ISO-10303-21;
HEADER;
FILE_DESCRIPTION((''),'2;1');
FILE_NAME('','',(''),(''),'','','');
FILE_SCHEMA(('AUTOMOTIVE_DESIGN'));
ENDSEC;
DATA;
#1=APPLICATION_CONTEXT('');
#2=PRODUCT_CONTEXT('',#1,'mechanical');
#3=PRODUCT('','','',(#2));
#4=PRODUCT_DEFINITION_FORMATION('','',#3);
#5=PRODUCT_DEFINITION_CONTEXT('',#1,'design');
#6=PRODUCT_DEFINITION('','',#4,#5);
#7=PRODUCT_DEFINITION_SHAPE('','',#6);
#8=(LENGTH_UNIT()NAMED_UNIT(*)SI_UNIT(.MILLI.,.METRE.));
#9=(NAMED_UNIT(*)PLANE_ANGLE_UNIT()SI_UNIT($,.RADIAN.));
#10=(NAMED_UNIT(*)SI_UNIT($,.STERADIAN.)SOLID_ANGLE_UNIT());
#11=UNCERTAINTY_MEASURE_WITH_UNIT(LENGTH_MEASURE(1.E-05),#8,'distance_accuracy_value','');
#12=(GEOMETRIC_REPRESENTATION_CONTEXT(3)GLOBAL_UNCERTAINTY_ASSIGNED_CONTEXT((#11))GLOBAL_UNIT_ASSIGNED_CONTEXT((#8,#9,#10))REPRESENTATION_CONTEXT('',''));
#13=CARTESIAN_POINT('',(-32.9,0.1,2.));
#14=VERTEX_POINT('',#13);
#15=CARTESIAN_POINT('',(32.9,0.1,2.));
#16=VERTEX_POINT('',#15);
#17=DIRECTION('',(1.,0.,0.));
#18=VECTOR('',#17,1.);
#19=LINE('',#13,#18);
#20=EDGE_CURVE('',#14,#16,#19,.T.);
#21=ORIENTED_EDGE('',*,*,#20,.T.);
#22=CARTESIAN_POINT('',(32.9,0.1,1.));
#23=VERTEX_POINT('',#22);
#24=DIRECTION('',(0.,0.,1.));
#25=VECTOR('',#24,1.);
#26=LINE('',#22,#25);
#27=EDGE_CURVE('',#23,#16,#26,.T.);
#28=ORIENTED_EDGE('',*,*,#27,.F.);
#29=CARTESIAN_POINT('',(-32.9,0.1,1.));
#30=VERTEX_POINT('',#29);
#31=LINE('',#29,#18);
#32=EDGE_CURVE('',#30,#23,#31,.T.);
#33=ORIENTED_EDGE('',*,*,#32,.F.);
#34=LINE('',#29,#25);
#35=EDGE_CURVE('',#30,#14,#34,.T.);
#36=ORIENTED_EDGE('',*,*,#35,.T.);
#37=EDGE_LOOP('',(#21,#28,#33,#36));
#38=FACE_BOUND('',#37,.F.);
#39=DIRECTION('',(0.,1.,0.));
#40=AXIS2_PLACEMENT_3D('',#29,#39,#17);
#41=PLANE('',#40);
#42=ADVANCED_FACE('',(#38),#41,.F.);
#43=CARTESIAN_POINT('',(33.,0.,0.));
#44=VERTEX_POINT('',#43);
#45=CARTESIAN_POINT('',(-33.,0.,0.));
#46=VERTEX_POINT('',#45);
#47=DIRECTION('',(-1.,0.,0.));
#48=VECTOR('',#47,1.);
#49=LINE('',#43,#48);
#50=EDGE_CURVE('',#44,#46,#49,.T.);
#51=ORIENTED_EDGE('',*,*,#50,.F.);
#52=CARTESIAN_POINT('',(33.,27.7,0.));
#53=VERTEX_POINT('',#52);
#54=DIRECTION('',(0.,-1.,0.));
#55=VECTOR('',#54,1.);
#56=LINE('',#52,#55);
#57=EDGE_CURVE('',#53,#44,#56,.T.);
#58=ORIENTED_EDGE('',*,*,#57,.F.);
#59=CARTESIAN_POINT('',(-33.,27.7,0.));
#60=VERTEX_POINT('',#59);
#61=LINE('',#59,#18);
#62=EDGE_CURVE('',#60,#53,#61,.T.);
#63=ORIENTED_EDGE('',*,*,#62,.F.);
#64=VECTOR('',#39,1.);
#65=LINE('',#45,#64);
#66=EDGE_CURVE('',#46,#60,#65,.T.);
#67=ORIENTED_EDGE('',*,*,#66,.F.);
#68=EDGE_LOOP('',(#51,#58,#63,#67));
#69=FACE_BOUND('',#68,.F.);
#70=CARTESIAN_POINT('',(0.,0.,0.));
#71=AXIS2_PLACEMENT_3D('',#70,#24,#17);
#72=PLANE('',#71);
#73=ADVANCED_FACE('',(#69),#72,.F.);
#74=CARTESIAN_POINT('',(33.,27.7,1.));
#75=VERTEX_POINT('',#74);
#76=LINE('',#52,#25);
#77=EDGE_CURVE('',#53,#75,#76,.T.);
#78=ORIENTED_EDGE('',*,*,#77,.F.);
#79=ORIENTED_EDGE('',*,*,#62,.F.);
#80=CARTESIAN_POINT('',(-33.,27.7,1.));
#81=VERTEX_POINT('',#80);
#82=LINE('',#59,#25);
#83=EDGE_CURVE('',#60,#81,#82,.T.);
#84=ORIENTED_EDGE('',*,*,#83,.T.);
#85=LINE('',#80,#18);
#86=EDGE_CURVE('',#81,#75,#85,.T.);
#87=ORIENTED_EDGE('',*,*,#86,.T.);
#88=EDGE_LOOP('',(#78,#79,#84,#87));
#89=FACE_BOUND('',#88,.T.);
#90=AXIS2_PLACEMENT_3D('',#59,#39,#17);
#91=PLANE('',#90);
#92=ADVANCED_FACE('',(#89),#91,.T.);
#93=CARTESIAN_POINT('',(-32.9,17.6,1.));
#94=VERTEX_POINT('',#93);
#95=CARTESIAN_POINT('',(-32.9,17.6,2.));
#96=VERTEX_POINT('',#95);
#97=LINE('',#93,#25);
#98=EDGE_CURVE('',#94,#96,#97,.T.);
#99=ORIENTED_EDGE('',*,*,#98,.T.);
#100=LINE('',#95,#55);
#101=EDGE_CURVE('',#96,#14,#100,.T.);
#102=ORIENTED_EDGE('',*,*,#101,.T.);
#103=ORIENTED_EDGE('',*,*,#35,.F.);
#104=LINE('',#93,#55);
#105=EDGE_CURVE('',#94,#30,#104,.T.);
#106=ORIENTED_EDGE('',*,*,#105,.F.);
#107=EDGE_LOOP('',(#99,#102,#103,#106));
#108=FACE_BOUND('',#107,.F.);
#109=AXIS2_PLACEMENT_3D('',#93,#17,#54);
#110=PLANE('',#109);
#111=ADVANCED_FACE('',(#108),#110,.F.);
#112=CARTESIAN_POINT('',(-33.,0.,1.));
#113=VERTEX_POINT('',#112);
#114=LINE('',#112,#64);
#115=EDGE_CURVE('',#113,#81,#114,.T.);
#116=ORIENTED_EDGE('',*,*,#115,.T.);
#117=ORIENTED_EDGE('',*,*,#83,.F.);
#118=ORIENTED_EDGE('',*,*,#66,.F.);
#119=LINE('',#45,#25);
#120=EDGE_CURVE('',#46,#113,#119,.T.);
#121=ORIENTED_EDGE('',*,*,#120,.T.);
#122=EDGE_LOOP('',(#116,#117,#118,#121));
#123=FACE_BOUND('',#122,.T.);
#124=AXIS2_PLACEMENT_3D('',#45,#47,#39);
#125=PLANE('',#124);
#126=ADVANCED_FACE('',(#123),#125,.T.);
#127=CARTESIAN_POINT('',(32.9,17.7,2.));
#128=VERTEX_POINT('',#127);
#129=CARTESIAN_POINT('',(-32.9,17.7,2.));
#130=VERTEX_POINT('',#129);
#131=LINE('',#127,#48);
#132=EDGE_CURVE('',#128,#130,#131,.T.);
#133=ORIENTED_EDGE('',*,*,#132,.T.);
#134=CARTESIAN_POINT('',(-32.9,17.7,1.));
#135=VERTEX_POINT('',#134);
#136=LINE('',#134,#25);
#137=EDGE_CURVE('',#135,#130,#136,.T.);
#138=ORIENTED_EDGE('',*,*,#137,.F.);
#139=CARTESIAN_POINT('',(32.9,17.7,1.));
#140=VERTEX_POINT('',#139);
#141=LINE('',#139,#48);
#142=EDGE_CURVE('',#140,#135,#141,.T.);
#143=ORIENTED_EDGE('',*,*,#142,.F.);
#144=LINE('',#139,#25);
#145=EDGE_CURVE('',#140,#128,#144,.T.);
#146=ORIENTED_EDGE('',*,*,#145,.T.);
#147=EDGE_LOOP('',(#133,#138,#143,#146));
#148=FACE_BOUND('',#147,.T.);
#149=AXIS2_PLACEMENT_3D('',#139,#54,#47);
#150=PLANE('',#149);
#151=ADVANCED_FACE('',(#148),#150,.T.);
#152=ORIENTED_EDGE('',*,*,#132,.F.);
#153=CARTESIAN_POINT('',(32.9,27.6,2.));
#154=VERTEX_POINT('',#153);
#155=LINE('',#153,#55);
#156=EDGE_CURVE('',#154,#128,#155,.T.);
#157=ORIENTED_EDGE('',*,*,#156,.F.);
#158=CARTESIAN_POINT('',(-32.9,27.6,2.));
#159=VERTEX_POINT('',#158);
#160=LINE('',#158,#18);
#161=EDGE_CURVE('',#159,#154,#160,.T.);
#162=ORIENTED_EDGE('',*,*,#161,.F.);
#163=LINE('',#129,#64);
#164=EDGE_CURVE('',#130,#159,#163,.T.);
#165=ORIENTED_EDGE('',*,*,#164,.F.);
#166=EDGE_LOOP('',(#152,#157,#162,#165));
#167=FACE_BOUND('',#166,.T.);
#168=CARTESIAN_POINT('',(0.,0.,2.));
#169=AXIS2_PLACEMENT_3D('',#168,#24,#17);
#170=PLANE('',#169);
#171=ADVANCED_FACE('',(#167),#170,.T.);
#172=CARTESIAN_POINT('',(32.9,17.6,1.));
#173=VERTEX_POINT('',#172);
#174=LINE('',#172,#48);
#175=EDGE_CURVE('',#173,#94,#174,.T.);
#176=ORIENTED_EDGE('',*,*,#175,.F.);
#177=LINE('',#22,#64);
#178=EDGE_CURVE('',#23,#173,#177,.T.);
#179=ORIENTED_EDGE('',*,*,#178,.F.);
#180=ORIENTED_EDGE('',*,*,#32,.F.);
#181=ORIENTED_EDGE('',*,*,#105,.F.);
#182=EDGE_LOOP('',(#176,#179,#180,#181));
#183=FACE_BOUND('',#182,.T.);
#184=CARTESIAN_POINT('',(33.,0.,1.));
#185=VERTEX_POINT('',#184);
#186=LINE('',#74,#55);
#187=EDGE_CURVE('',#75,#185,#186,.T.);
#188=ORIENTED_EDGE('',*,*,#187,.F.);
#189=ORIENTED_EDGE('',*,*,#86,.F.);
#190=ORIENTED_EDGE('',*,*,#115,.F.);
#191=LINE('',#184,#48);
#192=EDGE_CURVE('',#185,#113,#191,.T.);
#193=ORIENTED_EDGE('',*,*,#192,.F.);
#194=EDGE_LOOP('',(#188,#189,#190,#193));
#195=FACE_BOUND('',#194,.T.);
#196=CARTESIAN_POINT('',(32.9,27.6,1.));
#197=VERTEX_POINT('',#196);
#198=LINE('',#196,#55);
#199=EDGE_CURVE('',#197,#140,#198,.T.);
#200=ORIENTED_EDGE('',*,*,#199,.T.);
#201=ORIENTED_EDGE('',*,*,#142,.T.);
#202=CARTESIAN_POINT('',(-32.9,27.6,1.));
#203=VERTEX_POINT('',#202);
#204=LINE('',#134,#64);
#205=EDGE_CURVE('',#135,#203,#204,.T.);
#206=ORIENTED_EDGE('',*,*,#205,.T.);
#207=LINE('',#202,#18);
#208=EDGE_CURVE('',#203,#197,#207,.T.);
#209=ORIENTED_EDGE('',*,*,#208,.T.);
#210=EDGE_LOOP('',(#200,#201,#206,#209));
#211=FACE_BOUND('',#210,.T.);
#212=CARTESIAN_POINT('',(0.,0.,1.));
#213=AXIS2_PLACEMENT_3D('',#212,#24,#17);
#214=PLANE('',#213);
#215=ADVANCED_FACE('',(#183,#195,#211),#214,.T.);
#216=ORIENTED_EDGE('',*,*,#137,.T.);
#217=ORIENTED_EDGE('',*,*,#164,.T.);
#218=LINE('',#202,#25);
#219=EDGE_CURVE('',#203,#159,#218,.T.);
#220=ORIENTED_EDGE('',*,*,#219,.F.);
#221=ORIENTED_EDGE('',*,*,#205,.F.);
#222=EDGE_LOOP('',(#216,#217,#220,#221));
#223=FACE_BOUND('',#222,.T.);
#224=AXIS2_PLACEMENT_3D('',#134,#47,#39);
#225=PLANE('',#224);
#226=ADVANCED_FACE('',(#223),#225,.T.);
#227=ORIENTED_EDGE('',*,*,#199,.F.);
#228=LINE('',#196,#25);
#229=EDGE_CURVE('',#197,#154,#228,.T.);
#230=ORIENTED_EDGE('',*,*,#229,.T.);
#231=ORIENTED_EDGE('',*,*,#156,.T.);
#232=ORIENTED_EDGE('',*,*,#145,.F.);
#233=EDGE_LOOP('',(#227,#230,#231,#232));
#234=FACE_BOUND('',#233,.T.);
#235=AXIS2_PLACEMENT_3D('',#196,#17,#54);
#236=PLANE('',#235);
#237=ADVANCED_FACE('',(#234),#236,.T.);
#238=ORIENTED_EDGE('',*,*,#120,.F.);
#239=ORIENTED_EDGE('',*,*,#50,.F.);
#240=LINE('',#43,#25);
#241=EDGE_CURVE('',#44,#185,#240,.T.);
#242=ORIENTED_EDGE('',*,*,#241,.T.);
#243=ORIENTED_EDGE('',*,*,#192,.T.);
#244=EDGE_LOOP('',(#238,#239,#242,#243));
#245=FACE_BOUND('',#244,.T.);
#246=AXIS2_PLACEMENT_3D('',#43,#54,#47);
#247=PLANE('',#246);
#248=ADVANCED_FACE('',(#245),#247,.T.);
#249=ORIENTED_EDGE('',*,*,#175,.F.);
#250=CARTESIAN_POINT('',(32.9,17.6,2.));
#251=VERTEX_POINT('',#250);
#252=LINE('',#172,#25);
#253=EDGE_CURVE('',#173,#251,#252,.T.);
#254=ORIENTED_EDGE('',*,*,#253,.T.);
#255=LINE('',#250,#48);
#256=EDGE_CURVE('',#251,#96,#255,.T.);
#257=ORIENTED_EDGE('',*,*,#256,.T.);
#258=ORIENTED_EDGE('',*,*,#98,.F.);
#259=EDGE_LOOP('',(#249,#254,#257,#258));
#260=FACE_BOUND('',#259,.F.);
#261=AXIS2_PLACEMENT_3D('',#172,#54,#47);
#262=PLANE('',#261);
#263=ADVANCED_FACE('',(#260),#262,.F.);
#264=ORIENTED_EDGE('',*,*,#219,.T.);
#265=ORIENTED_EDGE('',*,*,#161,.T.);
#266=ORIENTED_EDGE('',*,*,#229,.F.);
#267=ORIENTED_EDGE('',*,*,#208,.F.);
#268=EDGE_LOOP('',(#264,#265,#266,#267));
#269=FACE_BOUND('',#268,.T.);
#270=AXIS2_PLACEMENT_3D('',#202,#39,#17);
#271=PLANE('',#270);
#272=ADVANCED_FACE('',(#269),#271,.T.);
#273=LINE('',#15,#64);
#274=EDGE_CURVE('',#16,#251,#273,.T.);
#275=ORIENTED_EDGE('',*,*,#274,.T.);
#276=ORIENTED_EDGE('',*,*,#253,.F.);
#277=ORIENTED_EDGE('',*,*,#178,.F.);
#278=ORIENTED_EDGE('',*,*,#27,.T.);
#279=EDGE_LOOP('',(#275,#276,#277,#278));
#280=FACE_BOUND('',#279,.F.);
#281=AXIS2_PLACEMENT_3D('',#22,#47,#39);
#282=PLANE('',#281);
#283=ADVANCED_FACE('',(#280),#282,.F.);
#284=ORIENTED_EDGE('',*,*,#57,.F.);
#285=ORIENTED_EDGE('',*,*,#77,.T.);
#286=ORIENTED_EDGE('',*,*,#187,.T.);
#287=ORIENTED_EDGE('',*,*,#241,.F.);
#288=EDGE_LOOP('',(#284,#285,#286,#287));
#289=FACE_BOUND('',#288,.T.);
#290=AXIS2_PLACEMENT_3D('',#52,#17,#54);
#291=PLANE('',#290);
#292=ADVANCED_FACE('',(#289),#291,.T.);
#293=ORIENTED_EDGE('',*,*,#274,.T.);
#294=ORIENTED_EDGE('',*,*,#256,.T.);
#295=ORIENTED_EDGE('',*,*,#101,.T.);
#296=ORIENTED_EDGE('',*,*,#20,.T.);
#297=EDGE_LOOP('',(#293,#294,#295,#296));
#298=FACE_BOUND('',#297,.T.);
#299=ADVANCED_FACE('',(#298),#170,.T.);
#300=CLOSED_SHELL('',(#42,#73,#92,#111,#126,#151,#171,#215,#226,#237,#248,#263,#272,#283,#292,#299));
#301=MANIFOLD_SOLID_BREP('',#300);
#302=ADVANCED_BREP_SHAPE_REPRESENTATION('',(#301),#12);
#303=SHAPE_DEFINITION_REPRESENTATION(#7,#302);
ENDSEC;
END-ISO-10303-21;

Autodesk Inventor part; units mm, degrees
ref_plane "YZ Plane" through (0, 0, 0) normal (1, 0, 0) x (0, 1, 0)
ref_plane "XZ Plane" through (0, 0, 0) normal (0, 1, 0) x (-1, 0, 0)
ref_plane "XY Plane" through (0, 0, 0) normal (0, 0, 1) x (1, 0, 0)
sketch "スケッチ1" plane through (0, 0, 0) normal (0, 0, 1) x (1, 0, 0)
  line L0 (-33, 27.7) -> (33, 27.7)
  line L1 (33, 27.7) -> (33, 0)
  line L2 (33, 0) -> (-33, 0)
  line L3 (-33, 0) -> (-33, 27.7)
  point P0 (0, 0)
  point P1 (0, 0)
  dimension "d0" = 66
  dimension "d1" = 27.7
extrude "押し出し1" add sketch "スケッチ1" along normal blind 1
sketch "スケッチ5" plane through (0, 0, 1) normal (0, 0, 1) x (1, 0, 0)
  line L0 (-32.9, 0.1) -> (32.9, 0.1)
  line L1 (32.9, 0.1) -> (32.9, 17.6)
  line L2 (32.9, 17.6) -> (-32.9, 17.6)
  line L3 (-32.9, 17.6) -> (-32.9, 0.1)
  line L4 (32.9, 17.7) -> (-32.9, 17.7)
  line L5 (-32.9, 17.7) -> (-32.9, 27.6)
  line L6 (-32.9, 27.6) -> (32.9, 27.6)
  line L7 (32.9, 27.6) -> (32.9, 17.7)
  line L8 (-33, 27.7) -> (-33, 0) projected
  line L9 (33, 27.7) -> (-33, 27.7) projected
  line L10 (33, 0) -> (33, 27.7) projected
  line L11 (-33, 0) -> (33, 0) projected
  point P0 (0, 0)
  dimension "d14" = 0.1
  dimension "d15" = 0.1
  dimension "d16" = 0.1
  dimension "d17" = 0.1
  dimension "d18" = 0.1
  dimension "d19" = 9.9
extrude "押し出し4" add sketch "スケッチ5" along normal blind 1 contours L3 L2 L1 L0 | L4 L5 L6 L7
equation "\"d15\" = d14"
equation "\"d16\" = d14"
equation "\"d17\" = d14"
equation "\"d18\" = d14"
properties part number "AQM1602XA"
